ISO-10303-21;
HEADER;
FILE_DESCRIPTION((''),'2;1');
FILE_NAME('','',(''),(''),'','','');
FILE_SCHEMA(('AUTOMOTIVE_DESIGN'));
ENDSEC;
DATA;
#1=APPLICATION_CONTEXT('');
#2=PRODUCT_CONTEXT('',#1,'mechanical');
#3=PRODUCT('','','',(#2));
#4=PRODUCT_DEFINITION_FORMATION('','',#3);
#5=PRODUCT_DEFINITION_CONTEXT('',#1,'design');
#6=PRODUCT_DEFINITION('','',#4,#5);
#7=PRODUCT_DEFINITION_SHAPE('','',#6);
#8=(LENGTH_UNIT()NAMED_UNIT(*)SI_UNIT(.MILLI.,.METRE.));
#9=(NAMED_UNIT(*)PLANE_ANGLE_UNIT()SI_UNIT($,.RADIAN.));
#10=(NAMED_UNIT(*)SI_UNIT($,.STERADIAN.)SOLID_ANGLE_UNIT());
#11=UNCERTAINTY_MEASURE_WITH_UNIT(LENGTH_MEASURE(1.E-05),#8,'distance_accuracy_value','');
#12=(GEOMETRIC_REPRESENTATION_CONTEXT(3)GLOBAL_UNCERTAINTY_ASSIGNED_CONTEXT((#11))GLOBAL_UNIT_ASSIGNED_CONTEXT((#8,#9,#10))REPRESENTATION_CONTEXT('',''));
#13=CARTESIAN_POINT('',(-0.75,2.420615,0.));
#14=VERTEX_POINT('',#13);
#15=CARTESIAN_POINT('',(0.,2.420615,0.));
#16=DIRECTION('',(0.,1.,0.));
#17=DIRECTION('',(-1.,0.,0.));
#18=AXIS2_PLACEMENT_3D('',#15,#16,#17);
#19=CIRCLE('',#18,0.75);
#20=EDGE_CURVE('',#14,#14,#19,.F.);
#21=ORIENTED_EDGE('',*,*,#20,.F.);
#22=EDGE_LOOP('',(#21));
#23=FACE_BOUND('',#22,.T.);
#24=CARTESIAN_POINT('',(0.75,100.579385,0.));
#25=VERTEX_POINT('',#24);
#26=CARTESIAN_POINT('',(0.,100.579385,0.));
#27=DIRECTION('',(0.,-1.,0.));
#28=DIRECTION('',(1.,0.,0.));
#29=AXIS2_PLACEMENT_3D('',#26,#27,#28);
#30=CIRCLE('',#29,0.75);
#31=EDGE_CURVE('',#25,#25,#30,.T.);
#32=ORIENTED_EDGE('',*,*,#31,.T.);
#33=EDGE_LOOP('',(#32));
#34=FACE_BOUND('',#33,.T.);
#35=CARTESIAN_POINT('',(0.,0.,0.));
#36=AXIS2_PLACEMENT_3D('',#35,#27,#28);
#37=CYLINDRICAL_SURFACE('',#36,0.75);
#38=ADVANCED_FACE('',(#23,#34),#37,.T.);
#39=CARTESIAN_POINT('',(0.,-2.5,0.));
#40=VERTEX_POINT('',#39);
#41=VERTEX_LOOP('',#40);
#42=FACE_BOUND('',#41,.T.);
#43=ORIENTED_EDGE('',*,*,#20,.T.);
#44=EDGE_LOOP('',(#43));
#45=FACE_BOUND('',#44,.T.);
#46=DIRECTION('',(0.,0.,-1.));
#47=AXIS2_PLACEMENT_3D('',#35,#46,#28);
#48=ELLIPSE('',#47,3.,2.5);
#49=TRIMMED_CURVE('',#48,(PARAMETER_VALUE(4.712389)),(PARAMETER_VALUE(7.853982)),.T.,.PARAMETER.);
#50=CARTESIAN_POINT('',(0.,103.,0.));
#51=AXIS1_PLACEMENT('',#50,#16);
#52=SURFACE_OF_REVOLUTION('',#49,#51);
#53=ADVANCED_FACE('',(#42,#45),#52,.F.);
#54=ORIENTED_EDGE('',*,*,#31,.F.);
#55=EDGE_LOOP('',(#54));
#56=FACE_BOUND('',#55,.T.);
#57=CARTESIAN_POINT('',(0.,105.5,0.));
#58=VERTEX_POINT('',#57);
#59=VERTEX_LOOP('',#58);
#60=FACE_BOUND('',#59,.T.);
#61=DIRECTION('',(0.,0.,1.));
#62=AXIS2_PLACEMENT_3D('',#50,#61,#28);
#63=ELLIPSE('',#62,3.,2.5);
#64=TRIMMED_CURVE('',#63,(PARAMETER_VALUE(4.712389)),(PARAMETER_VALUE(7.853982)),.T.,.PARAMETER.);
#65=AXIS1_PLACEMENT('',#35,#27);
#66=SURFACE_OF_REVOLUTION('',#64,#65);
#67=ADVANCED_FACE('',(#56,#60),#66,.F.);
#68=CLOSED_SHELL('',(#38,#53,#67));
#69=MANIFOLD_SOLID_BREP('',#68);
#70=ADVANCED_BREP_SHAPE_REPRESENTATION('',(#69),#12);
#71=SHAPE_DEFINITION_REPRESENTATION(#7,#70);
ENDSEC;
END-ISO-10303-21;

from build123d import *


with BuildPart() as part:
    # Sketch1 → Revolve2 (revolve)
    with BuildSketch(Plane.XY):
        with BuildLine():
            Line((0, 100.5), (0, 0))
            Line((0, 0), (0.75, 0))
            Line((0.75, 0), (0.75, 100.579385409))
            add(Edge.make_bspline(
                [(0, 100.5), (0.381049961, 100.5), (0.75, 100.579385409)],
                knots=[4.71238898, 4.71238898, 4.71238898, 4.98044602, 4.98044602, 4.98044602], degree=2, weights=[1, 0.950017652, 0.91709432]))
        make_face()
        with BuildLine():
            Line((0, 103), (0, 100.5))
            add(Edge.make_bspline(
                [(0, 100.5), (0.381049961, 100.5), (0.75, 100.579385409)],
                knots=[4.71238898, 4.71238898, 4.71238898, 4.98044602, 4.98044602, 4.98044602], degree=2, weights=[1, 0.950017652, 0.91709432]))
            Line((0.75, 100.579385409), (0.75, 103))
            Line((0.75, 103), (0, 103))
        make_face()
        with BuildLine():
            Line((0.75, 103), (0.75, 100.579385409))
            add(Edge.make_bspline(
                [(0.75, 100.579385409), (3, 101.063508327), (3, 103), (3, 105.5), (0, 105.5)],
                knots=[4.98044602, 4.98044602, 4.98044602, 6.283185307, 6.283185307, 7.853981634, 7.853981634, 7.853981634], degree=2, weights=[0.91709432, 0.757089129, 1, 0.707106781, 1]))
            Line((0, 105.5), (0, 103))
            Line((0, 103), (0.75, 103))
        make_face()
    revolve2 = revolve(axis=Axis((0, 0, 0), (0, 1, 0)))

    # Mirror1: Revolve2 across plane
    add(revolve2.mirror(Plane(origin=(0, 51.5, 0), x_dir=(0, 0, 1), z_dir=(0, -1, 0))))


solid = part.part
